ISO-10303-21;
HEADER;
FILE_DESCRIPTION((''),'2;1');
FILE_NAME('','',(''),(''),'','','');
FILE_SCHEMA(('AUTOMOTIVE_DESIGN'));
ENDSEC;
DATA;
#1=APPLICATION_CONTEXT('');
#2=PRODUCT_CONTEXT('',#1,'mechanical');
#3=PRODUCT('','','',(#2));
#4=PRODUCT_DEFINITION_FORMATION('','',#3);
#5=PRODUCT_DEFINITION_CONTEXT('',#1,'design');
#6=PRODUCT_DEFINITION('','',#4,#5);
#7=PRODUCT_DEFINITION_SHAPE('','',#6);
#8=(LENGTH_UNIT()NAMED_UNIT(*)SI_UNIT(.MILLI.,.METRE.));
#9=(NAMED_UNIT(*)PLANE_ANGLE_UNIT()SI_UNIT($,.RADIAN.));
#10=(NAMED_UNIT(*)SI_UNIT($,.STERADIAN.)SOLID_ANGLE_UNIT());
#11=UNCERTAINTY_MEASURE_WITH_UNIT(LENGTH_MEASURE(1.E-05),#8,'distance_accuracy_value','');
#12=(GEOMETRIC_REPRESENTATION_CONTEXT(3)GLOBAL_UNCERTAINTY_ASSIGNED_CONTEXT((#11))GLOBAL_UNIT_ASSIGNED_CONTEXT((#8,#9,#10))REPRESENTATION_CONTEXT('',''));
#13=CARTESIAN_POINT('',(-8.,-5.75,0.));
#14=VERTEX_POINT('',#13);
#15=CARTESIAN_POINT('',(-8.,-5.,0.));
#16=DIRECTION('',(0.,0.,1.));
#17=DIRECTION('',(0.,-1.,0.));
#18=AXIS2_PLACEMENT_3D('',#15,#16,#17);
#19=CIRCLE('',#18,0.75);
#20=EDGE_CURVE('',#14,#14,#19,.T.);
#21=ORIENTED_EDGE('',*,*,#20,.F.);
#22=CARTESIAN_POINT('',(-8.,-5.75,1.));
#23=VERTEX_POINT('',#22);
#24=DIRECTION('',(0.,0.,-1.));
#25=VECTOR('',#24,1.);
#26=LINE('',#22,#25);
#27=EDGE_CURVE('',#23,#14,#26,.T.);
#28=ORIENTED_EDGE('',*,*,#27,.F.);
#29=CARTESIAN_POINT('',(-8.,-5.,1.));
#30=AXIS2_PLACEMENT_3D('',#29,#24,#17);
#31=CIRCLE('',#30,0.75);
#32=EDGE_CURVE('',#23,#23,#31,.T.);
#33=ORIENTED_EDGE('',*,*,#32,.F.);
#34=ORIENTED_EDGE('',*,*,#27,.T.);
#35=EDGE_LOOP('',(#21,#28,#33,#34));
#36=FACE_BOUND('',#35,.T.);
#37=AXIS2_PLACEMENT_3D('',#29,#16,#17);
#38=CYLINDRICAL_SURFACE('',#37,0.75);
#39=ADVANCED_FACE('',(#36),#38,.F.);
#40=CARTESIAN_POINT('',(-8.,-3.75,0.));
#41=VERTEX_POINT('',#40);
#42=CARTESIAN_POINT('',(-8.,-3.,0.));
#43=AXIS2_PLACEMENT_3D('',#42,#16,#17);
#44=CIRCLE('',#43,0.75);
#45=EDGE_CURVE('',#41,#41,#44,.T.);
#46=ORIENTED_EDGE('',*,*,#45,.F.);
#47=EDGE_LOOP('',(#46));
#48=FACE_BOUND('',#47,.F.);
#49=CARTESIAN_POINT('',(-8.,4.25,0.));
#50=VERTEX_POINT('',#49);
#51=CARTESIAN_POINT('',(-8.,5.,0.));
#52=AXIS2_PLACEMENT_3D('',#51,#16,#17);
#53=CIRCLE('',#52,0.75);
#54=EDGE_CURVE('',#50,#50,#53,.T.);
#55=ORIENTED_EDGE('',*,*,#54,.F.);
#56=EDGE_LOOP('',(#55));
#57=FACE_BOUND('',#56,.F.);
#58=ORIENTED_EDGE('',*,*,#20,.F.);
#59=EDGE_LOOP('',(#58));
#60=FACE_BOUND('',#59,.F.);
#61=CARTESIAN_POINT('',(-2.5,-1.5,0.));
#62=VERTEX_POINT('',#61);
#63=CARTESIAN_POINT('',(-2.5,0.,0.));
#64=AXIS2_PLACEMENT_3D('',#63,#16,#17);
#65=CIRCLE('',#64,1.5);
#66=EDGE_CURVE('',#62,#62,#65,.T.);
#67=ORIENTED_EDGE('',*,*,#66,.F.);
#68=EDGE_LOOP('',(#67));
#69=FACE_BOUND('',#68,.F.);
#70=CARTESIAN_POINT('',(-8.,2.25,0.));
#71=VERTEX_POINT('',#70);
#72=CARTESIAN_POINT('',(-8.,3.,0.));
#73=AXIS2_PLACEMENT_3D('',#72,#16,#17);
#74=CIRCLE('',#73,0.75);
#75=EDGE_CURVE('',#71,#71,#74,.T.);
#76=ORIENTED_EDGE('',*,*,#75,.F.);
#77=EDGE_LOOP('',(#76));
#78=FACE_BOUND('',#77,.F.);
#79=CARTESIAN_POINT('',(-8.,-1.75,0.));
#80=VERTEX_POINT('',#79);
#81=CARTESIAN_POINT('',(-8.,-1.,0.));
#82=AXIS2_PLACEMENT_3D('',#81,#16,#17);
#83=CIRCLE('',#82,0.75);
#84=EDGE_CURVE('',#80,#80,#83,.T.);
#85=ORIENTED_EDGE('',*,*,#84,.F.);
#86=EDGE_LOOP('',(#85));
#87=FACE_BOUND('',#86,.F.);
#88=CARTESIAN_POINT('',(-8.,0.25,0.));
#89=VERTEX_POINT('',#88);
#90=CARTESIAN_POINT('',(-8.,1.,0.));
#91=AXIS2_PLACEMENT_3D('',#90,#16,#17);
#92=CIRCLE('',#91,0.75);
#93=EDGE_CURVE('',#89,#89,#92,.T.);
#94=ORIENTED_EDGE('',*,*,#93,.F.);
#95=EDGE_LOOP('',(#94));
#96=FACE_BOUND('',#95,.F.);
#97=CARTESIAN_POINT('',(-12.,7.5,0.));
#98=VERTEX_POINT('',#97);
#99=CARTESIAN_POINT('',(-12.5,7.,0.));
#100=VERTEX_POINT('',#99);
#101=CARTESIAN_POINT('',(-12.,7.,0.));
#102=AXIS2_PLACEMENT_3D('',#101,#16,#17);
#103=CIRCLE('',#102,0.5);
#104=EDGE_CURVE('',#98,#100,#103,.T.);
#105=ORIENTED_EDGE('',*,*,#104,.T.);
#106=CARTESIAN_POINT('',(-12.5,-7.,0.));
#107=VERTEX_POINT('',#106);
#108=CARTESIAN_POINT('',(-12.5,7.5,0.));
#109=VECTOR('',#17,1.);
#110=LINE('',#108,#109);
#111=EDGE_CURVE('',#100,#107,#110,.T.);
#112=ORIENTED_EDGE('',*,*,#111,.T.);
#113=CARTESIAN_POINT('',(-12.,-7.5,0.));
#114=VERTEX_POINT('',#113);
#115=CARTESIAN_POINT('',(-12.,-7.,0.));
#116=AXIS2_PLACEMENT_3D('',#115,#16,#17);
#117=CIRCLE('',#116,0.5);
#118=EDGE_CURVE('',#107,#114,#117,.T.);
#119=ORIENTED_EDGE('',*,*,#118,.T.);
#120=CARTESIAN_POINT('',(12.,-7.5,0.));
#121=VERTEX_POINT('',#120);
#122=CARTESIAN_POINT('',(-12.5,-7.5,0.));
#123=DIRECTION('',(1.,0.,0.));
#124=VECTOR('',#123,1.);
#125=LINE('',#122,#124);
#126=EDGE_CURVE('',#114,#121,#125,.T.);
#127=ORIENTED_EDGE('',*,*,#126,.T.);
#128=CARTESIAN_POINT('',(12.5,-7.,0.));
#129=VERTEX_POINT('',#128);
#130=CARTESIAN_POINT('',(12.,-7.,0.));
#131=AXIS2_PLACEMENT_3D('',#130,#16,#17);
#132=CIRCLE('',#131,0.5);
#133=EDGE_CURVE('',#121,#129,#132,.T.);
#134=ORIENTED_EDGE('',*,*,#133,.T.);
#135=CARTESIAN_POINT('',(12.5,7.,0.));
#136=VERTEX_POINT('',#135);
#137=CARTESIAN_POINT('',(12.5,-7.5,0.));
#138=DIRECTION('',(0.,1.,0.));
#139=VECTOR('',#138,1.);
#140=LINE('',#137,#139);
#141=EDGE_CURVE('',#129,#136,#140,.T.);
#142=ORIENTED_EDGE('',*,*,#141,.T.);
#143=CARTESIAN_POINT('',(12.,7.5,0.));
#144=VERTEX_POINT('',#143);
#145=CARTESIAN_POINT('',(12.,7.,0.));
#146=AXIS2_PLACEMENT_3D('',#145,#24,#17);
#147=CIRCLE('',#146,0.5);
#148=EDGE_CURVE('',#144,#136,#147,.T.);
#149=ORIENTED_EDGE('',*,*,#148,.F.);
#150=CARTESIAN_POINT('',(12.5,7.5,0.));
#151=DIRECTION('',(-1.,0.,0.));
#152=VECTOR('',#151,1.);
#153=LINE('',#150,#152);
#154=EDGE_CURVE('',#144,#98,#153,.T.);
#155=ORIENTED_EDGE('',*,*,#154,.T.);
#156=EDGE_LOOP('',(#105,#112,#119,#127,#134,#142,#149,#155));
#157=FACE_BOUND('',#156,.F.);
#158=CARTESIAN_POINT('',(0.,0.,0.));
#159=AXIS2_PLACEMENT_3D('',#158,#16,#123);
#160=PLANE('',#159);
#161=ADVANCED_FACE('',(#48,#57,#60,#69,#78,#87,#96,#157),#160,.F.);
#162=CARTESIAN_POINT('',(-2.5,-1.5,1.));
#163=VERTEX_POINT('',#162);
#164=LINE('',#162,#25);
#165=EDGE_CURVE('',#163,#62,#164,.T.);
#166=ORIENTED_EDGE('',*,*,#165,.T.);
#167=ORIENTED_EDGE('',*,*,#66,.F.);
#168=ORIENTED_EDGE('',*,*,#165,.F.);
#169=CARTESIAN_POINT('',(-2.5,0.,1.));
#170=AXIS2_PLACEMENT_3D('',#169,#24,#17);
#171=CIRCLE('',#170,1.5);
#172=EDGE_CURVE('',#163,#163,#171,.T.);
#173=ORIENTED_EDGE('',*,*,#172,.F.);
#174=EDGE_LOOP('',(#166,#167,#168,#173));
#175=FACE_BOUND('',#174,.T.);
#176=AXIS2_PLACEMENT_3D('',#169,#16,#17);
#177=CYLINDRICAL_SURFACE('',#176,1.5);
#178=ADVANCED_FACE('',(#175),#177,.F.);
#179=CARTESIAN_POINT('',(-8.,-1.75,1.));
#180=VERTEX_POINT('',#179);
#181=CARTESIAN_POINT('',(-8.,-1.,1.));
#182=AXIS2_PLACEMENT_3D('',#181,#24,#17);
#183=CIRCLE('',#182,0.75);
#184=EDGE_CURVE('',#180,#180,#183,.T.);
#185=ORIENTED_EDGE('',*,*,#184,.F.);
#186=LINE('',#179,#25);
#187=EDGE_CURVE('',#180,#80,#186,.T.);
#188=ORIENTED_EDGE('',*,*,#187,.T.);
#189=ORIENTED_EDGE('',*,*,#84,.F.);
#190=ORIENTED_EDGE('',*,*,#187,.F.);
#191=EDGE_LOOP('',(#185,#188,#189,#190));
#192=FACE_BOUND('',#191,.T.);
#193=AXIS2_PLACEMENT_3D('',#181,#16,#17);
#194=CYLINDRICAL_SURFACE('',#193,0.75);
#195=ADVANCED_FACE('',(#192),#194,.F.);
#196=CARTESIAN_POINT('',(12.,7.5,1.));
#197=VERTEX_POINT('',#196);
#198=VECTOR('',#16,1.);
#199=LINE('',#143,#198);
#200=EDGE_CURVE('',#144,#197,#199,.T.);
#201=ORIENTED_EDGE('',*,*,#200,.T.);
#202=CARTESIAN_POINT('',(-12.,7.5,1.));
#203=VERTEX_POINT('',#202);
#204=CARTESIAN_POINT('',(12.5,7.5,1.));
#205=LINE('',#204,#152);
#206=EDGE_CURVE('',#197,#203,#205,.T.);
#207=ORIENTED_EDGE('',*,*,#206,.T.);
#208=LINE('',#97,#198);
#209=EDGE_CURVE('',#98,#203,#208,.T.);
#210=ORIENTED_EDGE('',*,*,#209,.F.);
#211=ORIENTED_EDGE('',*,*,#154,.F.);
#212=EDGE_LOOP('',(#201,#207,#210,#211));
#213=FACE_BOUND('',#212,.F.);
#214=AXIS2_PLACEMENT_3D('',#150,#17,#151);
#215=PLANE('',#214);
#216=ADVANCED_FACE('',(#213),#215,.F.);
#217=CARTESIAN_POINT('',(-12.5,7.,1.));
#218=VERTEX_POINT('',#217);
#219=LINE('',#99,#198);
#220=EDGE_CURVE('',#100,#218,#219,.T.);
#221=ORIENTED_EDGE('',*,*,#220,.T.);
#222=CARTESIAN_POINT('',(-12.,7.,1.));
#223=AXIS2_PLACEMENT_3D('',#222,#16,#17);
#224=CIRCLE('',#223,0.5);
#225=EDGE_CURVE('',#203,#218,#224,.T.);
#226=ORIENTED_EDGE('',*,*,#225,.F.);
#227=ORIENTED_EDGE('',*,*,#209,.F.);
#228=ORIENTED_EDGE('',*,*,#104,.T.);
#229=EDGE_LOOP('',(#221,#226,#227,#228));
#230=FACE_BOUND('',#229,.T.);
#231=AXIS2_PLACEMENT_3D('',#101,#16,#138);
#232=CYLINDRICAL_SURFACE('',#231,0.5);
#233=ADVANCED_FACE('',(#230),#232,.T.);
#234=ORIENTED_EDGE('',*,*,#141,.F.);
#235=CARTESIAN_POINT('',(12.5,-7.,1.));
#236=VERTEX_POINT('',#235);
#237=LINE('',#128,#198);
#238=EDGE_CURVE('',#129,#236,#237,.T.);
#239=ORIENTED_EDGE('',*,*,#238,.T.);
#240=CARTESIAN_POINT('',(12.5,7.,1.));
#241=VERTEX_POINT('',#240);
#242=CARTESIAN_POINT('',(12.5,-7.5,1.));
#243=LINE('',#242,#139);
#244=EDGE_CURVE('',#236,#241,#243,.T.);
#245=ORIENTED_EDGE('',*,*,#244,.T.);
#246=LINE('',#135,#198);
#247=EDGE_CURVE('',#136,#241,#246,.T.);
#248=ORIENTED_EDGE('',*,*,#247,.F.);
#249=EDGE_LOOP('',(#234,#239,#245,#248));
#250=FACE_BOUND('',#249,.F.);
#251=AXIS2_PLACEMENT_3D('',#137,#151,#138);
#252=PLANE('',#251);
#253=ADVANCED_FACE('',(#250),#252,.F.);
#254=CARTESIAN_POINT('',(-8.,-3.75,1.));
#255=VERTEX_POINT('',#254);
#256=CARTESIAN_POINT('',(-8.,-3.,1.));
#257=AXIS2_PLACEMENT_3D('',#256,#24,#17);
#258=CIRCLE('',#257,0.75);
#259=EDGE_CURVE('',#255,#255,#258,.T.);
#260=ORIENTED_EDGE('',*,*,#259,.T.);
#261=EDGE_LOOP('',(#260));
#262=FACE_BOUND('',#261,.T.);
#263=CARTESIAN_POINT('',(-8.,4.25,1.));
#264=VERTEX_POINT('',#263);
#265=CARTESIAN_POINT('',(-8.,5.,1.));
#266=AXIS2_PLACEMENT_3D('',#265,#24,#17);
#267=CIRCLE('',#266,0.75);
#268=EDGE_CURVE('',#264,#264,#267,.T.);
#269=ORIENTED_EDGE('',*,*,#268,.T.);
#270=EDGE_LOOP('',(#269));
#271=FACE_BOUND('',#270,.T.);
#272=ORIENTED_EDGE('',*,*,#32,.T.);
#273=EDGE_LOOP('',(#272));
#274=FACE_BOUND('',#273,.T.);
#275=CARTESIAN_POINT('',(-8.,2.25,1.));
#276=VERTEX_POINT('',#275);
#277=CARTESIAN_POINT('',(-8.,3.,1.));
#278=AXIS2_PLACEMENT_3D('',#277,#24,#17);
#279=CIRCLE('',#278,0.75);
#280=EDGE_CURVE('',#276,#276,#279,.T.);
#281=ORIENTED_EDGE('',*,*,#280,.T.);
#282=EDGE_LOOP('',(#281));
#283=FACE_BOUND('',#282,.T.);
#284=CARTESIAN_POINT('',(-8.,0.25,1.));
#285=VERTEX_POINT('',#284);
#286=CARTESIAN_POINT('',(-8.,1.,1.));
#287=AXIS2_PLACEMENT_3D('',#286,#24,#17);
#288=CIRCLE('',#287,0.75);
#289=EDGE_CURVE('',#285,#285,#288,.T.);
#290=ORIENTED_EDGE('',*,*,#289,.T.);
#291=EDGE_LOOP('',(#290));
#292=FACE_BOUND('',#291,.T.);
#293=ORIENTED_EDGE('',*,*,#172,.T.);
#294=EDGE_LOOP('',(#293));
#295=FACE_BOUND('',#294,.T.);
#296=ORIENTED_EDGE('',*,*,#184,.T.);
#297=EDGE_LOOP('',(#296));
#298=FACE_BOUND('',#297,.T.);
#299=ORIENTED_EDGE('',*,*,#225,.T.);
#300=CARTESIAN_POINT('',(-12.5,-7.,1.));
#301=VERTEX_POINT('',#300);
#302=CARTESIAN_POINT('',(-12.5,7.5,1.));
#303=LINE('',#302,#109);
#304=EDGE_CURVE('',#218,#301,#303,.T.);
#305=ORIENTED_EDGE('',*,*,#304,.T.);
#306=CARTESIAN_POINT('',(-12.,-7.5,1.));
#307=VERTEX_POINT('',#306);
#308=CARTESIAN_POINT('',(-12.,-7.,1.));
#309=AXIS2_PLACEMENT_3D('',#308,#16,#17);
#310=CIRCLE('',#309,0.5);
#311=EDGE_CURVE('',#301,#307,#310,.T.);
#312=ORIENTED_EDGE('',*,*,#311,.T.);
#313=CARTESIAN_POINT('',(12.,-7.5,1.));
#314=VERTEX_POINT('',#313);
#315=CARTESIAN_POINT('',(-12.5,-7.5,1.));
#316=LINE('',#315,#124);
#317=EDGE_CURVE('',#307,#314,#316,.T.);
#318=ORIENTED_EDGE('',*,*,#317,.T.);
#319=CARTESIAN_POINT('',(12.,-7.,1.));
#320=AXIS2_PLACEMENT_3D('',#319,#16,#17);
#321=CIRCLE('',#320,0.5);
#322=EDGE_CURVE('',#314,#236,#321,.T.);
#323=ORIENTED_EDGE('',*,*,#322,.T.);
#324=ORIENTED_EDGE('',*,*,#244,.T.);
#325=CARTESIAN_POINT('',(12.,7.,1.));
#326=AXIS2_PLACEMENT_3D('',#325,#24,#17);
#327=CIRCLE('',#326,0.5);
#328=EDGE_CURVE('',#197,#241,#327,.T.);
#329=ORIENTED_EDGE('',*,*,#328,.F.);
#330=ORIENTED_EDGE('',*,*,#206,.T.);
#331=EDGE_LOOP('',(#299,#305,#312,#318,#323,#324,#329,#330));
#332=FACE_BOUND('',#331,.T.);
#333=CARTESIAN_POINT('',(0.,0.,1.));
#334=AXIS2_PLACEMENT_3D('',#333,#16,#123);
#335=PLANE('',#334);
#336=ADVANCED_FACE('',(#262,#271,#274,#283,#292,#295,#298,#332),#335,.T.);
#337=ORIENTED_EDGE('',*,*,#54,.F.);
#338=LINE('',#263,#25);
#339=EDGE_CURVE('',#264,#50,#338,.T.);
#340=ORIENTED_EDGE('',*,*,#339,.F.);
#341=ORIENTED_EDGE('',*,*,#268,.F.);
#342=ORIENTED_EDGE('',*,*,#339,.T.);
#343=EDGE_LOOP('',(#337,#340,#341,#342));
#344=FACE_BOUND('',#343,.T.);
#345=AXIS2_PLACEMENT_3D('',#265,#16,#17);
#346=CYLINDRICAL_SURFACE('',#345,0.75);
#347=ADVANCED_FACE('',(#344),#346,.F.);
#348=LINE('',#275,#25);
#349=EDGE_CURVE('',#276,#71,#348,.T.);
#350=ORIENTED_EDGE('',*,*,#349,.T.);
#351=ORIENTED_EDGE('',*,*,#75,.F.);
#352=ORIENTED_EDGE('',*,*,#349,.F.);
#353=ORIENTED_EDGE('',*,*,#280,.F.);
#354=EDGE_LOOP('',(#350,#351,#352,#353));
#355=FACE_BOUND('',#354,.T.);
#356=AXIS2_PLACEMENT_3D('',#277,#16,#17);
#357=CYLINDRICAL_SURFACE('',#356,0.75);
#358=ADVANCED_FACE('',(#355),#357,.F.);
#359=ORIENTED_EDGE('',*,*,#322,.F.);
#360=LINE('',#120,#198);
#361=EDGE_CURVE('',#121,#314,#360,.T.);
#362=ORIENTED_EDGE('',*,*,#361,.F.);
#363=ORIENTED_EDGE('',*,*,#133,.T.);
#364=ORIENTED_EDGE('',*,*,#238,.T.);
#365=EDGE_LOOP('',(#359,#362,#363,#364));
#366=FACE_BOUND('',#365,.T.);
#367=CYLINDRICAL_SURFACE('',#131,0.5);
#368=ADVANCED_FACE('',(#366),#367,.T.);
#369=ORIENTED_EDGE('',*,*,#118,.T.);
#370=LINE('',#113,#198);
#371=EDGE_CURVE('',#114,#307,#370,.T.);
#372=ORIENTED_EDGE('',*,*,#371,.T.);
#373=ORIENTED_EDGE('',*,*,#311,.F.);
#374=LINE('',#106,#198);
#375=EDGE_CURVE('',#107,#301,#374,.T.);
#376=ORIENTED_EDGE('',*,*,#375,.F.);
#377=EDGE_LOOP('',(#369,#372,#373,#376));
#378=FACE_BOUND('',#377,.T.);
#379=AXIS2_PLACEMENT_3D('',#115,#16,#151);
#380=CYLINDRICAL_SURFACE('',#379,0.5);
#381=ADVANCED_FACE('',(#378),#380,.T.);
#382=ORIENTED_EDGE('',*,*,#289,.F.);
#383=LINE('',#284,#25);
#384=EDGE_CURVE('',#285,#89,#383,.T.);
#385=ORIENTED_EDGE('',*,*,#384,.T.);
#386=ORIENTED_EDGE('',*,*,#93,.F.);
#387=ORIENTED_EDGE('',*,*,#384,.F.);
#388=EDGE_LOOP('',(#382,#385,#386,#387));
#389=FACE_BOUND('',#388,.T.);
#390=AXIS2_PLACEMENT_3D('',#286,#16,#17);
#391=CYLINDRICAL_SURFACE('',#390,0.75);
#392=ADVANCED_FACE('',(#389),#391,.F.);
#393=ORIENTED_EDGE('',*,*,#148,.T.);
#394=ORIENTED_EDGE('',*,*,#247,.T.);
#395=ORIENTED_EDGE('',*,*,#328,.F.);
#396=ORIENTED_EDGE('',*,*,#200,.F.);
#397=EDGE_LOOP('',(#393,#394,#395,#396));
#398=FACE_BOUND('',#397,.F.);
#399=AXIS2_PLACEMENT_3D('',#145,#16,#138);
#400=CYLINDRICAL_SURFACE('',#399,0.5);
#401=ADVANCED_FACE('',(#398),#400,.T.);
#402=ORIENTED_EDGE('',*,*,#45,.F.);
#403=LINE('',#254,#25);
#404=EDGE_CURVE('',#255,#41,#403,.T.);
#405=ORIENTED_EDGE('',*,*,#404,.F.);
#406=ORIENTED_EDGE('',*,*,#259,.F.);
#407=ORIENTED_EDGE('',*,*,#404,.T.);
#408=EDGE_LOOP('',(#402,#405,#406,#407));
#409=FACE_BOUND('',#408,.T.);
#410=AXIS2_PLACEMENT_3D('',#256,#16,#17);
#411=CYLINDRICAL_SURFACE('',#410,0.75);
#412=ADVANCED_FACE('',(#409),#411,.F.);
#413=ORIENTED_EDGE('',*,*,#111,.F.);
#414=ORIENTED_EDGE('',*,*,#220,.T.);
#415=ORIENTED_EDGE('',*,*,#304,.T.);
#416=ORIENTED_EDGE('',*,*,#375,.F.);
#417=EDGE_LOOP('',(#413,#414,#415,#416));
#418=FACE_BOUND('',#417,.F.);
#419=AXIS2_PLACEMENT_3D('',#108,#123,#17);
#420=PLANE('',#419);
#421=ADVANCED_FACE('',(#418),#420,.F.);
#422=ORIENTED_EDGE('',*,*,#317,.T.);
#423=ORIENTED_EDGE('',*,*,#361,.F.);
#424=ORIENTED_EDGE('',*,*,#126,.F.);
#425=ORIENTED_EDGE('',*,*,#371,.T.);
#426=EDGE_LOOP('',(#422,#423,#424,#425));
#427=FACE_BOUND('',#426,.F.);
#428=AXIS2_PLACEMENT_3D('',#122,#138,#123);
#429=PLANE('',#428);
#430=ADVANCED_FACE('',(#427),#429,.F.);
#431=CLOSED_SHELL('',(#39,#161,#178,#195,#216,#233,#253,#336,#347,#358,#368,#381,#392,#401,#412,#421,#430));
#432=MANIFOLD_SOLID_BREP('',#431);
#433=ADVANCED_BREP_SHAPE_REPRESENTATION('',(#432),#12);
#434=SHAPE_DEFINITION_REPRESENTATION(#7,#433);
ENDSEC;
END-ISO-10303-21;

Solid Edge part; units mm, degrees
sketch "Sketch1" plane through (0, 0, 0) normal (0, 0, 1) x (1, 0, 0)
  line L0 (12.5, 7.5) -> (-12.5, 7.5)
  line L1 (-12.5, 7.5) -> (-12.5, -7.5)
  line L2 (-12.5, -7.5) -> (12.5, -7.5)
  line L3 (12.5, -7.5) -> (12.5, 7.5)
extrude "Protrusion1" add sketch "Sketch1" along normal blind 1
fillet "Round_1" radius 0.5 4 edges at (12.5, 7.5, 0.5) (12.5, -7.5, 0.5) (-12.5, -7.5, 0.5) (-12.5, 7.5, 0.5)
hole "Hole_1" at (-2.5, 0, 1) direction (0, 0, -1) diameter 3 end up to next
hole "Hole_2" at (-8, 5, 1) direction (0, 0, -1) diameter 1.5 end up to next
hole "Hole1" at (-8, 3, 1) direction (0, 0, -1) diameter 1.5 end up to next
hole "Hole2" at (-8, 1, 1) direction (0, 0, -1) diameter 1.5 end up to next
hole "Hole3" at (-8, -1, 1) direction (0, 0, -1) diameter 1.5 end up to next
hole "Hole4" at (-8, -3, 1) direction (0, 0, -1) diameter 1.5 end up to next
hole "Hole5" at (-8, -5, 1) direction (0, 0, -1) diameter 1.5 end up to next
